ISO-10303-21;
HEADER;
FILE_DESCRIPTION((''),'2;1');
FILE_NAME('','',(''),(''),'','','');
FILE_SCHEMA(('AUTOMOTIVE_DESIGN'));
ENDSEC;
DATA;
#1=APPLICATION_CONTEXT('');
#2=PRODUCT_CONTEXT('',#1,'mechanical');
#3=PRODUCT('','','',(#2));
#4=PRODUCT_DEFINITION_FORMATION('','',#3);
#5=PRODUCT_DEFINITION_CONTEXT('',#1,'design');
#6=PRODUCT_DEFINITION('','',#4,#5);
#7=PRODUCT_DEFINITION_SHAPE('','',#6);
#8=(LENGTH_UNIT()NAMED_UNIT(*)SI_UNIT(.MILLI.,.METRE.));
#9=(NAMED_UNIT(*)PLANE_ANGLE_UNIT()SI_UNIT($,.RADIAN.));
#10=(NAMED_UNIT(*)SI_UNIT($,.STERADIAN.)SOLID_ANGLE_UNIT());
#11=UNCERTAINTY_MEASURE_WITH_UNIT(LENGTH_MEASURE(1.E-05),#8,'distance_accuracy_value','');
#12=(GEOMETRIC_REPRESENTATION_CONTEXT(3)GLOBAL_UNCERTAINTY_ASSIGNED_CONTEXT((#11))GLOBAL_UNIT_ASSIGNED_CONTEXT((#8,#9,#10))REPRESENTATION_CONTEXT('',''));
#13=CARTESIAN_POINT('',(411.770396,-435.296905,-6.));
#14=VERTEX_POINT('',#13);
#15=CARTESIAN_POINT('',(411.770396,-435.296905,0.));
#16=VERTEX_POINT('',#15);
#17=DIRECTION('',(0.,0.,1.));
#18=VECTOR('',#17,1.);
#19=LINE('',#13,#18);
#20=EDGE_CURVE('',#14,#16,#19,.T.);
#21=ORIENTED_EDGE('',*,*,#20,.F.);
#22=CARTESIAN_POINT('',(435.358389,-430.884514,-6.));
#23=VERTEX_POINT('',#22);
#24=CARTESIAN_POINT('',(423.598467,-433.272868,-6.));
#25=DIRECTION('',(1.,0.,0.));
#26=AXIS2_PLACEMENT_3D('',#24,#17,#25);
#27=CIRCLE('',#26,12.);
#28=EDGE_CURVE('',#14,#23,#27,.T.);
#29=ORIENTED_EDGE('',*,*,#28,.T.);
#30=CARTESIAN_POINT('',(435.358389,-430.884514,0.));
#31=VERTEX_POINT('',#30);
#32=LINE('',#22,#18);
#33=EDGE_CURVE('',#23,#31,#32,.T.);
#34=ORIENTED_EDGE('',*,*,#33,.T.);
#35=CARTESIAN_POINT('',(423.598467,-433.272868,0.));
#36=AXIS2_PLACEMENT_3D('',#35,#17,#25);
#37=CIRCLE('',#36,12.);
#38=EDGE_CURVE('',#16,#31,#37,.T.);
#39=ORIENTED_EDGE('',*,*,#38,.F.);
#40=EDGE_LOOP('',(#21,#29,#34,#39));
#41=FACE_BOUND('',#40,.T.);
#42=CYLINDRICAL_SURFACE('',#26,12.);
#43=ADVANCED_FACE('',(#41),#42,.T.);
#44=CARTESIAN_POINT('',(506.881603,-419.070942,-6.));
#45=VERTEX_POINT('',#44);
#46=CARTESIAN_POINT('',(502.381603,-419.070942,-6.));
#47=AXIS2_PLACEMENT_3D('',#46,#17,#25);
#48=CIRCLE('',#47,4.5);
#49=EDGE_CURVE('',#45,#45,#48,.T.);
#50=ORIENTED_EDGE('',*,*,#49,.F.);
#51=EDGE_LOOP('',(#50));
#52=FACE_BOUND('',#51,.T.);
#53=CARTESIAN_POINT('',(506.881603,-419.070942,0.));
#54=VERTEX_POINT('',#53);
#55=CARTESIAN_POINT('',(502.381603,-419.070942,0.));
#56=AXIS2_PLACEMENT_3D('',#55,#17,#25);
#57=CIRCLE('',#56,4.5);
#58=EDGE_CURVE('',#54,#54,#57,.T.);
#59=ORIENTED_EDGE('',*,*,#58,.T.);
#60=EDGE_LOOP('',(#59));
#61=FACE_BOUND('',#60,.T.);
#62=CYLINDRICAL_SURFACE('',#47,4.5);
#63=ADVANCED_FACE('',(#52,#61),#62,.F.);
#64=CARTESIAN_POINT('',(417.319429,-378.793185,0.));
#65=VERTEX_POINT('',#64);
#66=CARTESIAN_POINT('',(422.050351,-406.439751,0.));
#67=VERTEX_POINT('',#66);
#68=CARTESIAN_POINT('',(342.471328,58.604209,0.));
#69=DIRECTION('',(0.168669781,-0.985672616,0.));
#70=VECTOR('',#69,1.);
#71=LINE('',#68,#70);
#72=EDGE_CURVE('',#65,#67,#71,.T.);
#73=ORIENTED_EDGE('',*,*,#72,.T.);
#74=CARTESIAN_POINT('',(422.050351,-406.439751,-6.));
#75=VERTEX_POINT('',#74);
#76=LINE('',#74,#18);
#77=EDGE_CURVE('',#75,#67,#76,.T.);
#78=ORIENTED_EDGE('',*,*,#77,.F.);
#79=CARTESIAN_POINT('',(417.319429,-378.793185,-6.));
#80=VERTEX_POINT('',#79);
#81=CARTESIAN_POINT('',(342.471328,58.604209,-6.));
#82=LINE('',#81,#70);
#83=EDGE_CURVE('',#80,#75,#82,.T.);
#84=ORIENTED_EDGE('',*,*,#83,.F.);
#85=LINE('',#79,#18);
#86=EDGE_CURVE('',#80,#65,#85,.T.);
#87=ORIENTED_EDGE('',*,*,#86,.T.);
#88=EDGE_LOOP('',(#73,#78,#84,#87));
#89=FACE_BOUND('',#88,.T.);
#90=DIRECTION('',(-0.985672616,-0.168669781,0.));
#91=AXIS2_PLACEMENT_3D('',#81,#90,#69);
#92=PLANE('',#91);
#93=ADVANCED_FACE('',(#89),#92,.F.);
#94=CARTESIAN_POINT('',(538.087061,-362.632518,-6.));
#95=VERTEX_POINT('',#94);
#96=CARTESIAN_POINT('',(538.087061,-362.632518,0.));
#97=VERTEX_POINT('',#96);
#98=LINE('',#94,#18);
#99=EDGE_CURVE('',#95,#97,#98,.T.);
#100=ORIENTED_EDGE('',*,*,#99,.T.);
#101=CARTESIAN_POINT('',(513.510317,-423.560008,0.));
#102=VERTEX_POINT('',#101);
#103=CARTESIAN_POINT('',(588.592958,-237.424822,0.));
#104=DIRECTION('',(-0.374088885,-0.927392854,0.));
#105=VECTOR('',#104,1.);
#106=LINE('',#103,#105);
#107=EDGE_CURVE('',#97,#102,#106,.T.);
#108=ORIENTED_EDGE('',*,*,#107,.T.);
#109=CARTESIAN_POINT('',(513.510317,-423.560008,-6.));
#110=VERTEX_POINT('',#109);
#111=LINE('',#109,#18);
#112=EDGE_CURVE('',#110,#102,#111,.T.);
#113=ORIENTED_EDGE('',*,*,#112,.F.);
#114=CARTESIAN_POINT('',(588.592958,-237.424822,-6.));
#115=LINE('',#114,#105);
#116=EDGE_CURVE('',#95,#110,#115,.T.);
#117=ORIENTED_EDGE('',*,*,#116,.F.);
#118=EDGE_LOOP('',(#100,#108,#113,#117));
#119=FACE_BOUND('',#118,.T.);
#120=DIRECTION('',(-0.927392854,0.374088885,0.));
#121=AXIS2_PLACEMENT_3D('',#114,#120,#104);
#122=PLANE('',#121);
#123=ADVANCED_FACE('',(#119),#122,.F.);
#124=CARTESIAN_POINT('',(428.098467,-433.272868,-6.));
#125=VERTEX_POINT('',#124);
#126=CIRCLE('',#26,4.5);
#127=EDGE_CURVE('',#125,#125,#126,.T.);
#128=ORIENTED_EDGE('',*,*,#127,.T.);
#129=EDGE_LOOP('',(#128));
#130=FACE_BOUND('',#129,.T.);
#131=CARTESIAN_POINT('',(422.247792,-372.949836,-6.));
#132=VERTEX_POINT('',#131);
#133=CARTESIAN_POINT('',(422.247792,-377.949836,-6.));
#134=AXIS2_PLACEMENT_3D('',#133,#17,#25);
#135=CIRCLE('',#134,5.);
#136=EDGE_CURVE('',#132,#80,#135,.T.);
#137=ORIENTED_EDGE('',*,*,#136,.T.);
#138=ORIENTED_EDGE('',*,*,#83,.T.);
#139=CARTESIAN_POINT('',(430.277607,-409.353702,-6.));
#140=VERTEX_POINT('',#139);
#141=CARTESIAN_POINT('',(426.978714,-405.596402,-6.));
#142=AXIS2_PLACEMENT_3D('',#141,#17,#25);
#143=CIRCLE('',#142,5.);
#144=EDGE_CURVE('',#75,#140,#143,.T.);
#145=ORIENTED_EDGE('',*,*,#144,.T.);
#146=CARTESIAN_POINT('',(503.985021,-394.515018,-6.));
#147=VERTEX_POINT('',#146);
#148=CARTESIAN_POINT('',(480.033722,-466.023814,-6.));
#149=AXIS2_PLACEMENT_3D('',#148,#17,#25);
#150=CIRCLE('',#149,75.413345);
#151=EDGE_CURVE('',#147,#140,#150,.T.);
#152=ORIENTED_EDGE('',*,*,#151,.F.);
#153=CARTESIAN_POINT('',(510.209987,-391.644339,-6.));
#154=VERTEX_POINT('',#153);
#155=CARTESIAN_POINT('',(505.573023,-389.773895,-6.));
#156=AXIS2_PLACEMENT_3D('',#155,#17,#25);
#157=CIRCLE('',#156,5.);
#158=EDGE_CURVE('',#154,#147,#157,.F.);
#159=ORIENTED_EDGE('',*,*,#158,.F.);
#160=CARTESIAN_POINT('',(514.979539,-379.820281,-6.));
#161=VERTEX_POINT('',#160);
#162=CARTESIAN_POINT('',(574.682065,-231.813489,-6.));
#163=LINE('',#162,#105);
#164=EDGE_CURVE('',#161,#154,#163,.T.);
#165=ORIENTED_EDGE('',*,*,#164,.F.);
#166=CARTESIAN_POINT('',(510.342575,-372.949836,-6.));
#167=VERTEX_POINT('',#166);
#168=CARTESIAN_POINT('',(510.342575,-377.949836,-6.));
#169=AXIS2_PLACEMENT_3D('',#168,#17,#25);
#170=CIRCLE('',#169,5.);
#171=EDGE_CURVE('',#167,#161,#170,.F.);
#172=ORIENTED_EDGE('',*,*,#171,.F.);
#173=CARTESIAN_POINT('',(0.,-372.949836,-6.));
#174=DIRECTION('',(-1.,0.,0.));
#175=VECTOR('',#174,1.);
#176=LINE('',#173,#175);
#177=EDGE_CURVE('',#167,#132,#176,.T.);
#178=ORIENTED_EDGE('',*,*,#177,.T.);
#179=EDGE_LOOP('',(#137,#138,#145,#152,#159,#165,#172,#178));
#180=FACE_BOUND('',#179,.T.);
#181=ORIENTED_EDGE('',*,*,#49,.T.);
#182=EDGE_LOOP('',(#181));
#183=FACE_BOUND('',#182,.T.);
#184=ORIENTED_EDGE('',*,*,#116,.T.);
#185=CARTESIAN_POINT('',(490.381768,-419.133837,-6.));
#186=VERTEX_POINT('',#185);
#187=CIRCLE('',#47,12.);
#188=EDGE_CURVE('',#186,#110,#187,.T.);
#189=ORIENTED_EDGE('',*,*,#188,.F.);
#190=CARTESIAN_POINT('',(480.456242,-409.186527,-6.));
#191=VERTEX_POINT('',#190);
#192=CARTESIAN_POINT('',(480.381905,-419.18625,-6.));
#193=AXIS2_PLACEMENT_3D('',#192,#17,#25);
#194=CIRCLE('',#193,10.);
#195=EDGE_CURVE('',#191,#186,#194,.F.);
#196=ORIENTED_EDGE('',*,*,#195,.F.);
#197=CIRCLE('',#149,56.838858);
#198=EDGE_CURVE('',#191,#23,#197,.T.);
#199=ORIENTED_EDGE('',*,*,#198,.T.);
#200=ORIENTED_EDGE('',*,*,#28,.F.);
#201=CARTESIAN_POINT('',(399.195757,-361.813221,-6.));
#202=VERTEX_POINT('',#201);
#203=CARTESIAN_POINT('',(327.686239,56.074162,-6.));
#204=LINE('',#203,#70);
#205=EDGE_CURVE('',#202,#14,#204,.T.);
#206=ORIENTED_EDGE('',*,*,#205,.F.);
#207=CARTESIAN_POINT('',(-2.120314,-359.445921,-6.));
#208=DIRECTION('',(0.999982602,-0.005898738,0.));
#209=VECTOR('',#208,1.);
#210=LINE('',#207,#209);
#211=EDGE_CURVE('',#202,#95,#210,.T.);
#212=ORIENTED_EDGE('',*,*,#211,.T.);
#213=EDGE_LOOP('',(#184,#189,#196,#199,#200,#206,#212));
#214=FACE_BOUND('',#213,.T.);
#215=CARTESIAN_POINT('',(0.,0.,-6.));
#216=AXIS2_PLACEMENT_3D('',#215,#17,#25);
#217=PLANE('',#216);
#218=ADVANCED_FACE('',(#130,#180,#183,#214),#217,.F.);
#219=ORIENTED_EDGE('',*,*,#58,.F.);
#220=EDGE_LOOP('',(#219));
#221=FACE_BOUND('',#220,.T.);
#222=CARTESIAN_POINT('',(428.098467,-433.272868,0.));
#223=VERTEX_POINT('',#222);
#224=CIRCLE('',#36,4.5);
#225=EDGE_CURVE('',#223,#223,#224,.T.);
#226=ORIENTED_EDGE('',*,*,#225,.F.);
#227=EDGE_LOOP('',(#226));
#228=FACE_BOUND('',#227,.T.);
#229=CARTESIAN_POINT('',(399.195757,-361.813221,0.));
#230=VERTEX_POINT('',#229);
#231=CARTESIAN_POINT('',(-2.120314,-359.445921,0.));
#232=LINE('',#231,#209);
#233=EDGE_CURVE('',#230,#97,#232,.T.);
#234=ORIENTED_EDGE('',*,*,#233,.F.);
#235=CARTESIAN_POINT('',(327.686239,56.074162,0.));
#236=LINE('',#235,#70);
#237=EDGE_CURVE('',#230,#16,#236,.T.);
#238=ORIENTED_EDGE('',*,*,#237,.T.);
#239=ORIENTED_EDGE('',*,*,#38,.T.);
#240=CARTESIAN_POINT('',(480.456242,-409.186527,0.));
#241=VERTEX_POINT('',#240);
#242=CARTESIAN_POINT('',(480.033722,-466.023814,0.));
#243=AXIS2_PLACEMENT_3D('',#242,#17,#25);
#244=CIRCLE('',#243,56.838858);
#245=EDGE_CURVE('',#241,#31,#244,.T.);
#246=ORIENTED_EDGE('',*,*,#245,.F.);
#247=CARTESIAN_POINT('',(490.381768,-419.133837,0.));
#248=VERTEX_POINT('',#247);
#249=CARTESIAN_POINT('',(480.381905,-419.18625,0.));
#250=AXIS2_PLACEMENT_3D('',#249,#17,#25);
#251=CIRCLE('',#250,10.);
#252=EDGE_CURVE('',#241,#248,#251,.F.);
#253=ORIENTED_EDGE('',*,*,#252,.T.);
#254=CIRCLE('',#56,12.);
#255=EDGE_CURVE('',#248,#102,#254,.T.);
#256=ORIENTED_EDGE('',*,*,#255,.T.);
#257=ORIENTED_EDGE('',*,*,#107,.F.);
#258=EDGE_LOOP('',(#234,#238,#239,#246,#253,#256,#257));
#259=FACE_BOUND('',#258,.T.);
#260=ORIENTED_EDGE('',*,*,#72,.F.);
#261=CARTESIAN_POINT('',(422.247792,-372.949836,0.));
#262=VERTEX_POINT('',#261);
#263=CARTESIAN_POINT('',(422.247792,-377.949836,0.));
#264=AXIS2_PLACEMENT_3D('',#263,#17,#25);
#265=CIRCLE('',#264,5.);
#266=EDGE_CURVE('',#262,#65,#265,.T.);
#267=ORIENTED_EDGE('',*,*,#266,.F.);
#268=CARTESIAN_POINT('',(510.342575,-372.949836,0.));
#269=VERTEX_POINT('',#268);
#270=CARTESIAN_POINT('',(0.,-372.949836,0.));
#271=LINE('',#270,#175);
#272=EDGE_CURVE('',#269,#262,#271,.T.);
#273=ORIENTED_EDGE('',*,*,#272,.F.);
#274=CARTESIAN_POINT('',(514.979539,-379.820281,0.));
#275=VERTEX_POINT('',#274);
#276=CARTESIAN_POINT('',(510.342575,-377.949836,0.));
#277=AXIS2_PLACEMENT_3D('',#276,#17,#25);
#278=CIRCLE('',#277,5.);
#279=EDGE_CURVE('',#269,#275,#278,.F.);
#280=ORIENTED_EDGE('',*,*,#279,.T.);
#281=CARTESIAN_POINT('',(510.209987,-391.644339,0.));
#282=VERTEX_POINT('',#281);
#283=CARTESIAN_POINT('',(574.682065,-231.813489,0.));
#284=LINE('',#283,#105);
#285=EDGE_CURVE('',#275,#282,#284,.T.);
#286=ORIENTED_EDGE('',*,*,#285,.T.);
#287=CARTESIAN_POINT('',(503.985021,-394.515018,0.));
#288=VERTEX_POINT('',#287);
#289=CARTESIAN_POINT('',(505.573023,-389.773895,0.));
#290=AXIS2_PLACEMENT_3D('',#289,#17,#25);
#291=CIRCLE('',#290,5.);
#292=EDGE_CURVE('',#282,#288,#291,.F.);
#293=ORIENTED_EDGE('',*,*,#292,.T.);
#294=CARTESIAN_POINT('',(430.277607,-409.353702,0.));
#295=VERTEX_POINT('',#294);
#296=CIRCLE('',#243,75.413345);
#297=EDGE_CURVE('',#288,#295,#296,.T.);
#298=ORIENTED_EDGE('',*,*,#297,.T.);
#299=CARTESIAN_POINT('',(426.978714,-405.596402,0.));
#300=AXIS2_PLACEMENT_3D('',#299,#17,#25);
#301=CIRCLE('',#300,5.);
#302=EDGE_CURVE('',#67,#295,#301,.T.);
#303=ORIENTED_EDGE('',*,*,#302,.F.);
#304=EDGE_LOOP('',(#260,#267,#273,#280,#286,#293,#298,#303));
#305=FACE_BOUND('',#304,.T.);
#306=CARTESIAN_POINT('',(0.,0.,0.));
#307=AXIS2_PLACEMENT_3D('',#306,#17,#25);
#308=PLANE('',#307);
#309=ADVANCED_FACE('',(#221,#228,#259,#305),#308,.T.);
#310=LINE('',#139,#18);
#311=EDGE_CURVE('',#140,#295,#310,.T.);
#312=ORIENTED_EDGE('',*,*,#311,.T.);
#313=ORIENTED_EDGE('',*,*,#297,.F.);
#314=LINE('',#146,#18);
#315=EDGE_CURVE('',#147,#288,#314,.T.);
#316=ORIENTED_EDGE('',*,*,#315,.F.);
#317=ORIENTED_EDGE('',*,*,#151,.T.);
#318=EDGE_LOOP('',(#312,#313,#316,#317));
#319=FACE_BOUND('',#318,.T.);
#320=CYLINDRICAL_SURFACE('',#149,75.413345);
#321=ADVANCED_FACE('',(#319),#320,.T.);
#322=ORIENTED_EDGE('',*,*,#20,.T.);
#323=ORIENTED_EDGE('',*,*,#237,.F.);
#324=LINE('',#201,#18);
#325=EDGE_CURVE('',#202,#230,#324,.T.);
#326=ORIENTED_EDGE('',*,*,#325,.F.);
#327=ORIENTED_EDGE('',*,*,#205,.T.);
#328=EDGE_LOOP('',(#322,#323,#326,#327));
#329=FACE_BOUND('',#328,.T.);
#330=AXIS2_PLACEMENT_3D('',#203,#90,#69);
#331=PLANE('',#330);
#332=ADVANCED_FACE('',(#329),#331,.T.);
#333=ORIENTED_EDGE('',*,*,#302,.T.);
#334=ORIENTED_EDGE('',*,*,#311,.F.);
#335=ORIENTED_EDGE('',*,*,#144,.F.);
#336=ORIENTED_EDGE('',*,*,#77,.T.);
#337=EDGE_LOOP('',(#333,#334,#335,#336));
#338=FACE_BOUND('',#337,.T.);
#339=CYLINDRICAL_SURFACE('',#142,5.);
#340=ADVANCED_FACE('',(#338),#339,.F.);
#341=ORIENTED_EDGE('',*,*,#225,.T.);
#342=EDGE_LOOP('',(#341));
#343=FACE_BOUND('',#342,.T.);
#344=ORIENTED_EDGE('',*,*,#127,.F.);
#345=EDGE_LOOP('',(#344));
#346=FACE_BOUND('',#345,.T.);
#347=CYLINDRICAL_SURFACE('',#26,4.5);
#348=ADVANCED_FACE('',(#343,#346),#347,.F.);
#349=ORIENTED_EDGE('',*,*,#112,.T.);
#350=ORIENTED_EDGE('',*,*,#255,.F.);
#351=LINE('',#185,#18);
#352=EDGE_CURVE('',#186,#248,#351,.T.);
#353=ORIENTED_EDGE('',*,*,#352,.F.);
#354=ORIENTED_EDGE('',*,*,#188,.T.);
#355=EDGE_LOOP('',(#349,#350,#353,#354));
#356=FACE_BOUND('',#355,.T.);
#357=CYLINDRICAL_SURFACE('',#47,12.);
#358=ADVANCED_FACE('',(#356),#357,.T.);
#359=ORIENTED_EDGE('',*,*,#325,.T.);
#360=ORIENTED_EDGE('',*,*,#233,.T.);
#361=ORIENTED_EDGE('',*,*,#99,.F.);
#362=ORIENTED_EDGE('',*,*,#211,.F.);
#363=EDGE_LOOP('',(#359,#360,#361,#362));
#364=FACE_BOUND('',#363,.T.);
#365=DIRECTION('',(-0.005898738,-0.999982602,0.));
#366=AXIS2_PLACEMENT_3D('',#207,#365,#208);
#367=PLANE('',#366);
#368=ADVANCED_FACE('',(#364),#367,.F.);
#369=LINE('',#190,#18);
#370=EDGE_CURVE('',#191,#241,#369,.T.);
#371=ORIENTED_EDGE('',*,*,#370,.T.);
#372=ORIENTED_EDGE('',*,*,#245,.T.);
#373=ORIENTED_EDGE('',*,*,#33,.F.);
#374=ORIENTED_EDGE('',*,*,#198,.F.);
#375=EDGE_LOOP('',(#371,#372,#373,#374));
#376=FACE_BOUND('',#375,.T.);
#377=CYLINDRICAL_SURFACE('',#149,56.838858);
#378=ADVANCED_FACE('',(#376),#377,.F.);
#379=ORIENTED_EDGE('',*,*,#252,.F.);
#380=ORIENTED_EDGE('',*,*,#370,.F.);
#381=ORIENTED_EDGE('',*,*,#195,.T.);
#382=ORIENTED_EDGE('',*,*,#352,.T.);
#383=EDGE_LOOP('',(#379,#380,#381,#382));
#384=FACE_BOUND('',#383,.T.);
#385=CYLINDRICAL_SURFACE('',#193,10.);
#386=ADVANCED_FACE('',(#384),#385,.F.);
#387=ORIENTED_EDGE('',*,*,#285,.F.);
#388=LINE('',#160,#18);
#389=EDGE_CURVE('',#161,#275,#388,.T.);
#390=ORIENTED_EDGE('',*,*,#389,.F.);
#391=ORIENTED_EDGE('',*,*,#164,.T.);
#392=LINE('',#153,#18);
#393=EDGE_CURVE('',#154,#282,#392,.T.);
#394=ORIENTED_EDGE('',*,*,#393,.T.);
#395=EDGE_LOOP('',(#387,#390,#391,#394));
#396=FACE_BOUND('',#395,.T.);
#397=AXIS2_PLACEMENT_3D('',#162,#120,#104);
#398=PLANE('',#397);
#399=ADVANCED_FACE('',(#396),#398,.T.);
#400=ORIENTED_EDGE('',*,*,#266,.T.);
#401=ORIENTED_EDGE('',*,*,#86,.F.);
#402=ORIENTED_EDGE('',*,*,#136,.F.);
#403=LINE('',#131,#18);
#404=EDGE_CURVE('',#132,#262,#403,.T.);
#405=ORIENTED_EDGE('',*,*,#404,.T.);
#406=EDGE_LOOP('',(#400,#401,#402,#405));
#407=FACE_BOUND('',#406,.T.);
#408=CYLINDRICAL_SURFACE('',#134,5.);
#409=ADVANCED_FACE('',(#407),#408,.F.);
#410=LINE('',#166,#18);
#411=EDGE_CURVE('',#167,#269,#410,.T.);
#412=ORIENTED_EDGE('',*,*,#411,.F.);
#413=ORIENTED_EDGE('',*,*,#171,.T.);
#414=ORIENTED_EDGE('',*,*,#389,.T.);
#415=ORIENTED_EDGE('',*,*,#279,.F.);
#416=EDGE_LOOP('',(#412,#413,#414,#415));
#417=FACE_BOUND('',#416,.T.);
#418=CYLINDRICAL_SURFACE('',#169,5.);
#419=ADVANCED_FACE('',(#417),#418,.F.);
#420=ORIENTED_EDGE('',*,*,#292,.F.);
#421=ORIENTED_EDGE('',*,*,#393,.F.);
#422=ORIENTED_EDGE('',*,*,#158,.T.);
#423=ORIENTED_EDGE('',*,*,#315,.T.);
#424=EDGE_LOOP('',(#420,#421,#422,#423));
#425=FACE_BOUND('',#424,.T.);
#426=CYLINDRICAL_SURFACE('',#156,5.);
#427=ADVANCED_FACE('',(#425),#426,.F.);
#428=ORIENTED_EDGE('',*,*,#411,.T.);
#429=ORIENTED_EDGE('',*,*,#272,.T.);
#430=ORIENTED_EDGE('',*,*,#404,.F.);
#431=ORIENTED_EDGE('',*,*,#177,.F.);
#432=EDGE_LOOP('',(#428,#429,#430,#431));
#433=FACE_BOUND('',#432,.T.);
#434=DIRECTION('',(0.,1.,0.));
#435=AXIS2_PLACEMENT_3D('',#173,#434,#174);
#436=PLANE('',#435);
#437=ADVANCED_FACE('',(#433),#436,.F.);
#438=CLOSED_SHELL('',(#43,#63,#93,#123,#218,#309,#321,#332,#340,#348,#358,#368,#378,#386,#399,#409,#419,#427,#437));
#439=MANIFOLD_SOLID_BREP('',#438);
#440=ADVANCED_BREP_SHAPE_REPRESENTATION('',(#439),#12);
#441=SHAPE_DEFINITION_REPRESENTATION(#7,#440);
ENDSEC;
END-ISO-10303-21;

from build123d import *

# Parameters (mm, degrees)
SKETCH1_R           = 4.5
BOSS_EXTRUDE1_DEPTH = 6


with BuildPart() as part:
    # Sketch1 → Boss-Extrude1 (new body)
    with BuildSketch(Plane.XY):
        with BuildLine():
            Line((538.087061333, -362.632518419), (399.195756936, -361.813220805))
            Line((399.195756936, -361.813220805), (411.770395569, -435.296905236))
            ThreePointArc((411.770395569, -435.296905236), (425.804925586, -445.068271221), (435.358389017, -430.884514226))
            ThreePointArc((435.358389017, -430.884514226), (455.39069986, -414.804899258), (480.456241604, -409.186526513))
            ThreePointArc((480.456241604, -409.186526513), (487.46072005, -412.122937916), (490.381767865, -419.133837281))
            ThreePointArc((490.381767865, -419.133837281), (500.126063062, -430.857058146), (513.510317286, -423.560008386))
            Line((513.510317286, -423.560008386), (538.087061333, -362.632518419))
        make_face()
        with Locations((423.598466956, -433.272867865)):
            Circle(SKETCH1_R, mode=Mode.SUBTRACT)
        with Locations((502.381603037, -419.070941762)):
            Circle(SKETCH1_R, mode=Mode.SUBTRACT)
        with BuildLine():
            ThreePointArc((510.342575031, -372.949836208), (514.486982235, -375.152714664), (514.979539302, -379.820280635))
            Line((514.979539302, -379.820280635), (510.209986836, -391.644339161))
            ThreePointArc((510.209986836, -391.644339161), (507.666881017, -394.314352508), (503.985021193, -394.515018193))
            ThreePointArc((503.985021193, -394.515018193), (465.150215538, -392.093753549), (430.277606866, -409.353701903))
            ThreePointArc((430.277606866, -409.353701903), (425.309411141, -410.309514397), (422.050350523, -406.439750816))
            Line((422.050350523, -406.439750816), (417.319428607, -378.793185112))
            ThreePointArc((417.319428607, -378.793185112), (418.425701646, -374.726231434), (422.247791685, -372.949836208))
            Line((422.247791685, -372.949836208), (510.342575031, -372.949836208))
        make_face(mode=Mode.SUBTRACT)
    extrude(amount=-BOSS_EXTRUDE1_DEPTH)


solid = part.part
